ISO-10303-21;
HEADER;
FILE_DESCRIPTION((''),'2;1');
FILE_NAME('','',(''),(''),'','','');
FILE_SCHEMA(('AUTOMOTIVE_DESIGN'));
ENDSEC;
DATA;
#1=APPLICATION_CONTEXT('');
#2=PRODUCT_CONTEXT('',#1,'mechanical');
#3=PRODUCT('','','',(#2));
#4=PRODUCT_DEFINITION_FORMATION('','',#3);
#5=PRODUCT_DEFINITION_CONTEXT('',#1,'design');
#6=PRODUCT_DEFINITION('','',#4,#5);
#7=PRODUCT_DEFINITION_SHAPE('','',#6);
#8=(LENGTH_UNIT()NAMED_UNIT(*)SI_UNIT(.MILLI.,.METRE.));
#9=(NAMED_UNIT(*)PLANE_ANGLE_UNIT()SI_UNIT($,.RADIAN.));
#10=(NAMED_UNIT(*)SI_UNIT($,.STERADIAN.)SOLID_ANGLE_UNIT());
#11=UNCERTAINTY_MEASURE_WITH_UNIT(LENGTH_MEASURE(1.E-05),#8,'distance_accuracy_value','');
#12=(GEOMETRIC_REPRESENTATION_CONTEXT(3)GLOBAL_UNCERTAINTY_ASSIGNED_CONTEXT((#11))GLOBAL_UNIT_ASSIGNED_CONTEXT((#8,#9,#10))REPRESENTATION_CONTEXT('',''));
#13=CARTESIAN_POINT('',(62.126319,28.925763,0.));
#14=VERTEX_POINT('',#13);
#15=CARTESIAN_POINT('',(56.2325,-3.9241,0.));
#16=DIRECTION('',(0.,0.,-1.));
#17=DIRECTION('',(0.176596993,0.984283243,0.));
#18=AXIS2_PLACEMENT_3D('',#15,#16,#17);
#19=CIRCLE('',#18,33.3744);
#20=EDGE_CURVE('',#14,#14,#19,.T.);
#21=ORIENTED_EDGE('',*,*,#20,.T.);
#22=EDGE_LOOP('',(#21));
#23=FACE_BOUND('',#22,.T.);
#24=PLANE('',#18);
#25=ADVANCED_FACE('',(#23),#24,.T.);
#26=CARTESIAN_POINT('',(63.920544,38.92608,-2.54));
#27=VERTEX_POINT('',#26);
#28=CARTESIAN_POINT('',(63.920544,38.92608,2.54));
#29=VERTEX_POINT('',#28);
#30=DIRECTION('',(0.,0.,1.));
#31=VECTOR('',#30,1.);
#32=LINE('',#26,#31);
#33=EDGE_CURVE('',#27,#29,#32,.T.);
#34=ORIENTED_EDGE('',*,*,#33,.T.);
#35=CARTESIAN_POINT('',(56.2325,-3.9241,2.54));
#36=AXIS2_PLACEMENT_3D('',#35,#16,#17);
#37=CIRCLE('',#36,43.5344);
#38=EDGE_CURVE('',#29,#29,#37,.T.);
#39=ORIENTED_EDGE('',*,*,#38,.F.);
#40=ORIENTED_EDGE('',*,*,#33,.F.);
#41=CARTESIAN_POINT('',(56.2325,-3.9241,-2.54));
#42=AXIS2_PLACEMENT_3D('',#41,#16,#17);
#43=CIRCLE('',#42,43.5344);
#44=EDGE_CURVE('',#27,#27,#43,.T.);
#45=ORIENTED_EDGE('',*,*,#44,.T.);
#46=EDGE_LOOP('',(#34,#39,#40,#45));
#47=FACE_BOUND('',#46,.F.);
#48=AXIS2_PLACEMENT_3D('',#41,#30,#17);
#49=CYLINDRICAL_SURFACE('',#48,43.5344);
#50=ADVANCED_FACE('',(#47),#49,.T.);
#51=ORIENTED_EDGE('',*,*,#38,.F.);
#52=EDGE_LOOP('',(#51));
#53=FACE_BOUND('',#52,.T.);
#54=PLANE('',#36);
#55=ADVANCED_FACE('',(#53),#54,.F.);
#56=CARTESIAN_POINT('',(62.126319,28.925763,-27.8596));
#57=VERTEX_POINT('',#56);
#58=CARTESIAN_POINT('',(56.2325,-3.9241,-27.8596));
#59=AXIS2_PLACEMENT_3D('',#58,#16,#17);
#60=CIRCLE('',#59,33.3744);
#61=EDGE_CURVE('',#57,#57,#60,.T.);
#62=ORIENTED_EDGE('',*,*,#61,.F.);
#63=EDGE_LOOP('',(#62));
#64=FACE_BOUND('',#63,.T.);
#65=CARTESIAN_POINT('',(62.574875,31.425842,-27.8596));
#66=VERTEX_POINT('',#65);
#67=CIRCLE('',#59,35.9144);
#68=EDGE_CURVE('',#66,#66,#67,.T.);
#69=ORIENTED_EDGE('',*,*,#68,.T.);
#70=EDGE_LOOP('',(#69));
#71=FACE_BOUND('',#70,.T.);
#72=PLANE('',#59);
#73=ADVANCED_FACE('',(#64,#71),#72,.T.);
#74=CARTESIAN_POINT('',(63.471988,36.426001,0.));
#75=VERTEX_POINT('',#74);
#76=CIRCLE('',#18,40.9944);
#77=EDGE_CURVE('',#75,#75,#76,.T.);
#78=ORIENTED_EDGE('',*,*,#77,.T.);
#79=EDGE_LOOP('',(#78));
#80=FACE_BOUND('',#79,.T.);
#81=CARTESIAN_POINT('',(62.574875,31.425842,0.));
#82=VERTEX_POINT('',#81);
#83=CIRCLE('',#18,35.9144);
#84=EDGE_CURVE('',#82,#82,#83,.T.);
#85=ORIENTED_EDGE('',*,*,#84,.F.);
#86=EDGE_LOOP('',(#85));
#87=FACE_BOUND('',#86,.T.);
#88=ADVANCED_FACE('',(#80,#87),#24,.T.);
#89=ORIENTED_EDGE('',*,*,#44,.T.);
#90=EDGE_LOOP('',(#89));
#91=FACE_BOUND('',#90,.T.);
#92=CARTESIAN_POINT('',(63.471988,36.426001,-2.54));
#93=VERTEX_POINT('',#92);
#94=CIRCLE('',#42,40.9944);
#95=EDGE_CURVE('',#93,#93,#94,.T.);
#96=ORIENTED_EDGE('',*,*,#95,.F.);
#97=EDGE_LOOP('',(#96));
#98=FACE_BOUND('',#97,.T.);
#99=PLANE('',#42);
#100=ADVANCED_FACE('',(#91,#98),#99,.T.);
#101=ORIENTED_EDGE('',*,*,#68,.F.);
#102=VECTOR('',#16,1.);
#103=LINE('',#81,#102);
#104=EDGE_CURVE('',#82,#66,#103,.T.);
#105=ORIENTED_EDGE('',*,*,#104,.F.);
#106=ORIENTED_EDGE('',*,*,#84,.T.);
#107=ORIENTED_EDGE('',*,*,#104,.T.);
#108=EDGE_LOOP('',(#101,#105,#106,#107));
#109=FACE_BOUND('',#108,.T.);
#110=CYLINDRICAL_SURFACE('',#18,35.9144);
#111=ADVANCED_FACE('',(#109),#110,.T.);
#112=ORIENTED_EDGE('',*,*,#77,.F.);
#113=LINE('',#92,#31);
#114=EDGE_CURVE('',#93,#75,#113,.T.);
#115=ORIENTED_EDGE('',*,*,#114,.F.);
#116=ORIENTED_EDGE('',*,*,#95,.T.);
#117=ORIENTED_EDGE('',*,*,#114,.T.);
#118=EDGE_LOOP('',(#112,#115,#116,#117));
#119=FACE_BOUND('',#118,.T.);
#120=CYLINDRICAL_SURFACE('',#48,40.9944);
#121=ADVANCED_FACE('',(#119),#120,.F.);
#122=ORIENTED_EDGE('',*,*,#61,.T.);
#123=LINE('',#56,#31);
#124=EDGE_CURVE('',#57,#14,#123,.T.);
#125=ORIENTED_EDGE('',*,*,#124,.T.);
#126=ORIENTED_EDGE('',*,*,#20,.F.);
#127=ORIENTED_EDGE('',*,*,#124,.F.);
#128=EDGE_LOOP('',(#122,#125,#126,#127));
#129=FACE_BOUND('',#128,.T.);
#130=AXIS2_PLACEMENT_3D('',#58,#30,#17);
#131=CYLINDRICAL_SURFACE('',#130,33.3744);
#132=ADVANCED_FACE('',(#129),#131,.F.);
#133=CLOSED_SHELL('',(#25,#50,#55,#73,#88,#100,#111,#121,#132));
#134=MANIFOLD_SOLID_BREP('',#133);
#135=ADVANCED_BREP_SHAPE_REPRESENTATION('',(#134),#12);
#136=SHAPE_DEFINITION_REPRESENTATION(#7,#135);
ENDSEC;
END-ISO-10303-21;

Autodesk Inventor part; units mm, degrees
ref_plane "YZ Plane" through (0, 0, 0) normal (1, 0, 0) x (0, 1, 0)
ref_plane "XZ Plane" through (0, 0, 0) normal (0, 1, 0) x (-1, 0, 0)
ref_plane "XY Plane" through (0, 0, 0) normal (0, 0, 1) x (1, 0, 0)
ref_plane "Work Plane1" through (56.2325, -3.9241, -54.643) normal (0.9843, -0.1766, 0) x (0.1766, 0.9843, 0)
sketch "Sketch1" plane through (56.2325, -3.9241, -54.643) normal (0.9843, -0.1766, 0) x (0.1766, 0.9843, 0)
  line L0 (8.8813, -28.7707) -> (8.8813, -26.2307) construction
  line L1 (8.8813, -26.2307) -> (11.7241, -26.2307) construction
  line L2 (11.7241, -26.2307) -> (11.7241, -28.7707) construction
  line L3 (11.7241, -28.7707) -> (8.8813, -28.7707) construction
  line L4 (4.5958, -26.2307) -> (4.5958, -28.7707) construction
  line L5 (4.5958, -28.7707) -> (-5.2462, -28.7707) construction
  line L6 (-5.2462, -28.7707) -> (-5.2462, -26.2307) construction
  line L7 (-5.2462, -26.2307) -> (4.5958, -26.2307) construction
  line L8 (19.4818, -26.2307) -> (19.4818, -28.7707) construction
  line L9 (19.4818, -28.7707) -> (16.7961, -28.7707) construction
  line L10 (16.7961, -28.7707) -> (16.7961, -26.2307) construction
  line L11 (16.7961, -26.2307) -> (19.4818, -26.2307) construction
  spline S0 degree 2 poles (40.7352, 49.563) (36.4181, 6.3217) (32.911, -28.7707) knots 0 0 0 7.872352 7.872352 7.872352 weights 1 1.005429 1 construction
  line L12 (32.911, -28.7707) -> (24.0815, -28.7707) construction
  line L13 (24.0815, -28.7707) -> (24.0815, -26.2307) construction
  line L14 (24.0815, -26.2307) -> (30.6156, -26.2307) construction
  spline S1 degree 2 poles (30.6156, -26.2307) (33.9974, 7.5872) (38.19, 49.563) knots 0 0 0 7.617126 7.617126 7.617126 weights 1 1.005811 1 construction
  line L15 (38.19, 49.563) -> (38.4437, 52.103) construction
  line L16 (38.4437, 52.103) -> (48.6252, 52.103) construction
  line L17 (48.6252, 52.103) -> (48.6252, 43.213) construction
  line L18 (48.6252, 43.213) -> (46.0815, 43.213) construction
  line L19 (46.0815, 43.213) -> (46.0815, 49.563) construction
  line L20 (46.0815, 49.563) -> (40.7352, 49.563) construction
  spline S2 degree 2 poles (-34.4769, -28.7707) (-37.984, 6.3217) (-42.3012, 49.563) knots 0 0 0 7.872352 7.872352 7.872352 weights 1 1.005429 1 construction
  line L21 (-42.3012, 49.563) -> (-47.6475, 49.563) construction
  line L22 (-47.6475, 49.563) -> (-47.6475, 43.213) construction
  line L23 (-47.6475, 43.213) -> (-50.1911, 43.213) construction
  line L24 (-50.1911, 43.213) -> (-50.1911, 52.103) construction
  line L25 (-50.1911, 52.103) -> (-40.0096, 52.103) construction
  line L26 (-40.0096, 52.103) -> (-39.7559, 49.563) construction
  spline S3 degree 2 poles (-39.7559, 49.563) (-35.5633, 7.5872) (-32.1815, -26.2307) knots 0 0 0 7.617126 7.617126 7.617126 weights 1 1.005811 1 construction
  line L27 (-32.1815, -26.2307) -> (-8.6835, -26.2307) construction
  line L28 (-8.6835, -26.2307) -> (-8.6835, -28.7707) construction
  line L29 (-8.6835, -28.7707) -> (-34.4769, -28.7707) construction
  line L30 (43.5344, 52.103) -> (43.5344, 57.183)
  line L31 (43.5344, 52.103) -> (40.9944, 52.103)
  line L32 (40.9944, 52.103) -> (40.9944, 54.643)
  line L33 (40.9944, 54.643) -> (35.9144, 54.643)
  line L34 (35.9144, 54.643) -> (35.9144, 26.7834)
  line L35 (35.9144, 26.7834) -> (33.3744, 26.7834)
  line L36 (33.3744, 26.7834) -> (33.3744, 54.643)
  line L37 (33.3744, 54.643) -> (0, 54.643)
  line L38 (0, 57.183) -> (43.5344, 57.183)
  line L39 (0, 57.183) -> (0, 54.643)
  point P0 (-6.0665, 54.643)
  dimension "d1" = 5.08
  dimension "d4" = 2.54
  dimension "d5" = 2.54
  dimension "d6" = 5.08
  dimension "d7" = 2.54
  dimension "d8" = 2.54
  dimension "d9" = 48.6252
revolve "Revolution1" add sketch "Sketch1" angle 360 about axis through (56.2325, -3.9241, 2.54) along (0, 0, -1)
properties part number "lid" material "Stainless Steel"
